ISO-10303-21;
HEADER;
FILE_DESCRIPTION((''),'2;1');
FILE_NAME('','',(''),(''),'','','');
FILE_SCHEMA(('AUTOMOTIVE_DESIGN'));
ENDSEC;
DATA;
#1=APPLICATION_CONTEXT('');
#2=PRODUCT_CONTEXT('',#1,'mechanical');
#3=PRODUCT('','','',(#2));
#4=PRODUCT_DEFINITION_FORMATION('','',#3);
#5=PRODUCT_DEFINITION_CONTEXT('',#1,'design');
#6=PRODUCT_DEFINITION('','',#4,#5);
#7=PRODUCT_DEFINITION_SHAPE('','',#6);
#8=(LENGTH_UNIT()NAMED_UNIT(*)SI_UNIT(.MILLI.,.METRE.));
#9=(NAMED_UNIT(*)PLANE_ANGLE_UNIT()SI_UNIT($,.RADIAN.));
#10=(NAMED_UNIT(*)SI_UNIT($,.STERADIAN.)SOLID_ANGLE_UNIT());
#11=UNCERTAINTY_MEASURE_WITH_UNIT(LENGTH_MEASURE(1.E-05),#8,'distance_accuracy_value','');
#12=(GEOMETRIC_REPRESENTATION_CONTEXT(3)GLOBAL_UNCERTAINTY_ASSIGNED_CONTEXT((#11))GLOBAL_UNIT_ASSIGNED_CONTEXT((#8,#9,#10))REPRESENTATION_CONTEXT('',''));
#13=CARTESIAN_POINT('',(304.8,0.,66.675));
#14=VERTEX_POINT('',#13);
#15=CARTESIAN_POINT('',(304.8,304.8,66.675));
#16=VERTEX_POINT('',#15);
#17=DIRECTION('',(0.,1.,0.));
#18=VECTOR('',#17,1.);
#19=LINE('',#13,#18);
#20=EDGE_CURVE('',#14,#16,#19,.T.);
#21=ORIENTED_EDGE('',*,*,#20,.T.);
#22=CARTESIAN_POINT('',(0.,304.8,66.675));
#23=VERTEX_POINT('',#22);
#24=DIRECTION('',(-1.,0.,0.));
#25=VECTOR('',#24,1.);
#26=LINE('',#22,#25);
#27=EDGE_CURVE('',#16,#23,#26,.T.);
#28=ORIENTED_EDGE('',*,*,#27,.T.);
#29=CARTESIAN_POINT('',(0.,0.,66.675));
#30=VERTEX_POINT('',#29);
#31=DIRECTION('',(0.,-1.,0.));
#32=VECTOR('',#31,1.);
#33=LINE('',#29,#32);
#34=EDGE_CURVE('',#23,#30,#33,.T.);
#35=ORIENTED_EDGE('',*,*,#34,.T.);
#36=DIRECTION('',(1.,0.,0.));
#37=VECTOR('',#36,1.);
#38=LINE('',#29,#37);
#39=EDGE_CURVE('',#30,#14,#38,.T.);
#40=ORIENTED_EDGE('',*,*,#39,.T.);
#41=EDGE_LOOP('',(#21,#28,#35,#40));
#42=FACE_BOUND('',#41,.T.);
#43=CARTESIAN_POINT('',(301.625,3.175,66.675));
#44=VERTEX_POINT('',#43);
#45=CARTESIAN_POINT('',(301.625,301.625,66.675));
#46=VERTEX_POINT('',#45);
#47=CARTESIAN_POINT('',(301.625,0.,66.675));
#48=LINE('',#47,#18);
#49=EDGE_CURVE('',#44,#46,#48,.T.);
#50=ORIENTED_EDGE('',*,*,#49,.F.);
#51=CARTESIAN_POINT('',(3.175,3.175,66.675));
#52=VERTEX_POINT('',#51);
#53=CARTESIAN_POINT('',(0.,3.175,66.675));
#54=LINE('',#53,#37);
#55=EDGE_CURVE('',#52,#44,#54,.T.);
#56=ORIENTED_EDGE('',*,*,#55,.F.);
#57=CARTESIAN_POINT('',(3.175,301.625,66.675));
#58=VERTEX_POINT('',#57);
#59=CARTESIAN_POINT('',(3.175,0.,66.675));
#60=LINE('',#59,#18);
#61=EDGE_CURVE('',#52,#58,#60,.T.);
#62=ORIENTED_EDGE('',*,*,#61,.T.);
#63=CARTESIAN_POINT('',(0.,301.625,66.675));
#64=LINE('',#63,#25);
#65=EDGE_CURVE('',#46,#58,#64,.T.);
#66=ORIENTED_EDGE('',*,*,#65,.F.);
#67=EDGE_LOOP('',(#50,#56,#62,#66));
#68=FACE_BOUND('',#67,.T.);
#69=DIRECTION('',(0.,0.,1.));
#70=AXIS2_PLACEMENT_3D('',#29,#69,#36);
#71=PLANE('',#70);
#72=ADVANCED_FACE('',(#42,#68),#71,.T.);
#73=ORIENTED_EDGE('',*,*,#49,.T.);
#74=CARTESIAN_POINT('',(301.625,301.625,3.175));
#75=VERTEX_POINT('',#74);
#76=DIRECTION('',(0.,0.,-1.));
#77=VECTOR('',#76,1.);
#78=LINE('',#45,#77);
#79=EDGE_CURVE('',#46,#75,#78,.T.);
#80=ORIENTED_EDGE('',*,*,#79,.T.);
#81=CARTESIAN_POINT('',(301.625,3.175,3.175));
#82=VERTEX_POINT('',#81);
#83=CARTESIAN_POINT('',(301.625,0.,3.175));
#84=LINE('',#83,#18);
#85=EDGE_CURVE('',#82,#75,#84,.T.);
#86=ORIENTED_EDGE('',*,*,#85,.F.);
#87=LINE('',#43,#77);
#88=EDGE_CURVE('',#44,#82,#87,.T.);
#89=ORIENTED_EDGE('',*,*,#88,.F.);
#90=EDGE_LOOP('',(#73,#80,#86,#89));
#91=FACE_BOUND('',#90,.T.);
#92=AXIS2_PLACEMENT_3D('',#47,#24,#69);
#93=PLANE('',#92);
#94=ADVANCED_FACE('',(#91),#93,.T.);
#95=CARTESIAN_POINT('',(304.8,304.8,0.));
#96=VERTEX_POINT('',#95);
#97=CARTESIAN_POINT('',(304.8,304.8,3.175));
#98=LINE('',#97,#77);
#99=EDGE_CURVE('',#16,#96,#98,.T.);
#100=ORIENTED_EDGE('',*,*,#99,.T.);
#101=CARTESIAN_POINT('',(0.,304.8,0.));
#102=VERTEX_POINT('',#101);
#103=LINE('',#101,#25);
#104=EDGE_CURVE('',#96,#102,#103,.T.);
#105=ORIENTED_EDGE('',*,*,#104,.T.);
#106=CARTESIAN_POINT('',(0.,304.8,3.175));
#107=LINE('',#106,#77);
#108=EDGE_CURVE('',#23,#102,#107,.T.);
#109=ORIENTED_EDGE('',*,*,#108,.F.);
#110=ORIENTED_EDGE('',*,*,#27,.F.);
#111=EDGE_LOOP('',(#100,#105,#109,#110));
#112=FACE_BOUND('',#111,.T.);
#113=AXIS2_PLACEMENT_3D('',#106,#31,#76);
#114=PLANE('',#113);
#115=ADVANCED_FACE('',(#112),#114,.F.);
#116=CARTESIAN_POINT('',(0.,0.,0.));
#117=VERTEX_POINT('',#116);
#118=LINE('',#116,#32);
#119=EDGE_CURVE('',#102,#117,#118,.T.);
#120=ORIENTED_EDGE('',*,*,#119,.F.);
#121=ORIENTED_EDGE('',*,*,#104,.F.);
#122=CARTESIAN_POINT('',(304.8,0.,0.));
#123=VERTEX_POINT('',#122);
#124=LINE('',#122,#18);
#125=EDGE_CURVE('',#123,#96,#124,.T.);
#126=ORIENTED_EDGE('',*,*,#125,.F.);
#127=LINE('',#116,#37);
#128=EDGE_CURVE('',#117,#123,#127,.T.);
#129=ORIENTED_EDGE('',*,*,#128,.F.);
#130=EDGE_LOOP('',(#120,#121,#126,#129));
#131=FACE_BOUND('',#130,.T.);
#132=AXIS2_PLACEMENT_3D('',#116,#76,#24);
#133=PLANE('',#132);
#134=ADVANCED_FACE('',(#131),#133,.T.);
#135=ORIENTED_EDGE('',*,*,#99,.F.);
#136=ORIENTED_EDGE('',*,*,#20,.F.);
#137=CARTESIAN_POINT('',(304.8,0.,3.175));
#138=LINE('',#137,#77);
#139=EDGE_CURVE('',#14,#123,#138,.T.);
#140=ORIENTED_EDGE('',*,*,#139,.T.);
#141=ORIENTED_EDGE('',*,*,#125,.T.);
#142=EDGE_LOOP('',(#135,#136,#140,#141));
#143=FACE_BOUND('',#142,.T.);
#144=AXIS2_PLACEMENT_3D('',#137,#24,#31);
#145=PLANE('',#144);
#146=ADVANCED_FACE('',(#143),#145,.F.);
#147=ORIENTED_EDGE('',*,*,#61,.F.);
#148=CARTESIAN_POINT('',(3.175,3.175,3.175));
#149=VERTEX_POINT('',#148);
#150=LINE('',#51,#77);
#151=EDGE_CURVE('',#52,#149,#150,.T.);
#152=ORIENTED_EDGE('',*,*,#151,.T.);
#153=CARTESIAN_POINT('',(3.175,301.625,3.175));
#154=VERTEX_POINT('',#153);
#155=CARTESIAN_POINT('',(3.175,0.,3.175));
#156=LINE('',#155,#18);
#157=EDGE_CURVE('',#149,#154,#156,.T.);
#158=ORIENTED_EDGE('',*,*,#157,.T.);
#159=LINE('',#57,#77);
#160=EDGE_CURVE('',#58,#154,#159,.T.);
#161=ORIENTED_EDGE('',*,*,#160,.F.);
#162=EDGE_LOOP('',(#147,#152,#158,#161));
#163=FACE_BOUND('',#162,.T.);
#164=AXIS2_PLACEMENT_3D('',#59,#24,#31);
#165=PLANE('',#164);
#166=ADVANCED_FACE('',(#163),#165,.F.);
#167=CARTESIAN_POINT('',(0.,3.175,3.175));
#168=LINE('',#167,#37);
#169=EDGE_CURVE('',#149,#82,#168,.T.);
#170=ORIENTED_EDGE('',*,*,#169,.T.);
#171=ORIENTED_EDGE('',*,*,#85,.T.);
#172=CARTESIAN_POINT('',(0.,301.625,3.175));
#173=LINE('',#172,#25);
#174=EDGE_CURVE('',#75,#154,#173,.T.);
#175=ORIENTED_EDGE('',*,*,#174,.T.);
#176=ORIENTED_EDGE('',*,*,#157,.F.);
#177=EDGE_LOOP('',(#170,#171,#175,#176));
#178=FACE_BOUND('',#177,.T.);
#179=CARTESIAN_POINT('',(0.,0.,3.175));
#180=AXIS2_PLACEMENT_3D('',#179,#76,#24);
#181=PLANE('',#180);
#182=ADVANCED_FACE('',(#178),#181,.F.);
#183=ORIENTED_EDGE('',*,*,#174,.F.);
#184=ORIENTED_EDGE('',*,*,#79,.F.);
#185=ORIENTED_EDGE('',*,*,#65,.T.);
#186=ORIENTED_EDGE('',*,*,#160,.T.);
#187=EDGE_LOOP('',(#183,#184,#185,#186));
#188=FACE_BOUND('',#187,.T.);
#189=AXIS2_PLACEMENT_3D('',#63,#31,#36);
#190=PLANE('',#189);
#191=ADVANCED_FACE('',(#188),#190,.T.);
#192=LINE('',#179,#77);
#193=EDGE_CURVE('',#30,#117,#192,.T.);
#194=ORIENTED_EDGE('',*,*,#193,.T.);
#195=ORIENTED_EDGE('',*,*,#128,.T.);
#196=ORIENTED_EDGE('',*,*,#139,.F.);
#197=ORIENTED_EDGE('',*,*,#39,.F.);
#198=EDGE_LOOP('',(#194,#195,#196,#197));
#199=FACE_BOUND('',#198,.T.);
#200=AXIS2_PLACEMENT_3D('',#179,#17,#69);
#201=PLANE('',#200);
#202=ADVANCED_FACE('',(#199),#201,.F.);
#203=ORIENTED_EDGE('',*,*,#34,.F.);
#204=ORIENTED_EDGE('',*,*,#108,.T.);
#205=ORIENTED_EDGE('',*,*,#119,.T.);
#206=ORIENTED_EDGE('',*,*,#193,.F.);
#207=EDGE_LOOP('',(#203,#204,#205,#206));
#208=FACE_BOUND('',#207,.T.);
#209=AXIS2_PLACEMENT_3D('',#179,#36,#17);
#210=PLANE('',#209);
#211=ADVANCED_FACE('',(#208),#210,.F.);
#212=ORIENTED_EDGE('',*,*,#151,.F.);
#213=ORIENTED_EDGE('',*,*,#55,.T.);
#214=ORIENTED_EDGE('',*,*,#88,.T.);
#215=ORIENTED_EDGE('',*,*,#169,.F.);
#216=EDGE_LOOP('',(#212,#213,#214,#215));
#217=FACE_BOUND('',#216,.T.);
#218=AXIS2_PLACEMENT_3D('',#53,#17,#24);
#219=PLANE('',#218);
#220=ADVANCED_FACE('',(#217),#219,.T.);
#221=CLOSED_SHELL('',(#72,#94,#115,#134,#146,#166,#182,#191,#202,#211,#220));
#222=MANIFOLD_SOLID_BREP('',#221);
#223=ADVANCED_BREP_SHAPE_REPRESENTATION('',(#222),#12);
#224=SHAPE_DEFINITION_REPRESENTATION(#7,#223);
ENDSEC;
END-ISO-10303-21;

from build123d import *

# Parameters (mm, degrees)
SKETCH1_W           = 304.8
SKETCH1_H           = 304.8
BOSS_EXTRUDE1_DEPTH = 3.175
SKETCH2_W           = 298.45
SKETCH2_H           = 3.175
BOSS_EXTRUDE2_DEPTH = 63.5


with BuildPart() as part:
    # Sketch1 → Boss-Extrude1 (new body)
    with BuildSketch(Plane.XY):
        with Locations((152.4, 152.4)):
            Rectangle(SKETCH1_W, SKETCH1_H)
    extrude(amount=BOSS_EXTRUDE1_DEPTH)

    # Sketch2 → Boss-Extrude2 (add)
    with BuildSketch(Plane.XY.offset(3.175)):
        with Locations((152.4, 1.5875)):
            Rectangle(SKETCH2_W, SKETCH2_H)
        Polygon((3.175, 301.625), (0, 301.625), (0, 0), (3.175, 0), (3.175, 3.175), align=None)
        Polygon((304.8, 301.625), (304.8, 304.8), (0, 304.8), (0, 301.625), (3.175, 301.625), (301.625, 301.625), align=None)
        Polygon((304.8, 0), (304.8, 301.625), (301.625, 301.625), (301.625, 3.175), (301.625, 0), align=None)
    extrude(amount=BOSS_EXTRUDE2_DEPTH)


solid = part.part
